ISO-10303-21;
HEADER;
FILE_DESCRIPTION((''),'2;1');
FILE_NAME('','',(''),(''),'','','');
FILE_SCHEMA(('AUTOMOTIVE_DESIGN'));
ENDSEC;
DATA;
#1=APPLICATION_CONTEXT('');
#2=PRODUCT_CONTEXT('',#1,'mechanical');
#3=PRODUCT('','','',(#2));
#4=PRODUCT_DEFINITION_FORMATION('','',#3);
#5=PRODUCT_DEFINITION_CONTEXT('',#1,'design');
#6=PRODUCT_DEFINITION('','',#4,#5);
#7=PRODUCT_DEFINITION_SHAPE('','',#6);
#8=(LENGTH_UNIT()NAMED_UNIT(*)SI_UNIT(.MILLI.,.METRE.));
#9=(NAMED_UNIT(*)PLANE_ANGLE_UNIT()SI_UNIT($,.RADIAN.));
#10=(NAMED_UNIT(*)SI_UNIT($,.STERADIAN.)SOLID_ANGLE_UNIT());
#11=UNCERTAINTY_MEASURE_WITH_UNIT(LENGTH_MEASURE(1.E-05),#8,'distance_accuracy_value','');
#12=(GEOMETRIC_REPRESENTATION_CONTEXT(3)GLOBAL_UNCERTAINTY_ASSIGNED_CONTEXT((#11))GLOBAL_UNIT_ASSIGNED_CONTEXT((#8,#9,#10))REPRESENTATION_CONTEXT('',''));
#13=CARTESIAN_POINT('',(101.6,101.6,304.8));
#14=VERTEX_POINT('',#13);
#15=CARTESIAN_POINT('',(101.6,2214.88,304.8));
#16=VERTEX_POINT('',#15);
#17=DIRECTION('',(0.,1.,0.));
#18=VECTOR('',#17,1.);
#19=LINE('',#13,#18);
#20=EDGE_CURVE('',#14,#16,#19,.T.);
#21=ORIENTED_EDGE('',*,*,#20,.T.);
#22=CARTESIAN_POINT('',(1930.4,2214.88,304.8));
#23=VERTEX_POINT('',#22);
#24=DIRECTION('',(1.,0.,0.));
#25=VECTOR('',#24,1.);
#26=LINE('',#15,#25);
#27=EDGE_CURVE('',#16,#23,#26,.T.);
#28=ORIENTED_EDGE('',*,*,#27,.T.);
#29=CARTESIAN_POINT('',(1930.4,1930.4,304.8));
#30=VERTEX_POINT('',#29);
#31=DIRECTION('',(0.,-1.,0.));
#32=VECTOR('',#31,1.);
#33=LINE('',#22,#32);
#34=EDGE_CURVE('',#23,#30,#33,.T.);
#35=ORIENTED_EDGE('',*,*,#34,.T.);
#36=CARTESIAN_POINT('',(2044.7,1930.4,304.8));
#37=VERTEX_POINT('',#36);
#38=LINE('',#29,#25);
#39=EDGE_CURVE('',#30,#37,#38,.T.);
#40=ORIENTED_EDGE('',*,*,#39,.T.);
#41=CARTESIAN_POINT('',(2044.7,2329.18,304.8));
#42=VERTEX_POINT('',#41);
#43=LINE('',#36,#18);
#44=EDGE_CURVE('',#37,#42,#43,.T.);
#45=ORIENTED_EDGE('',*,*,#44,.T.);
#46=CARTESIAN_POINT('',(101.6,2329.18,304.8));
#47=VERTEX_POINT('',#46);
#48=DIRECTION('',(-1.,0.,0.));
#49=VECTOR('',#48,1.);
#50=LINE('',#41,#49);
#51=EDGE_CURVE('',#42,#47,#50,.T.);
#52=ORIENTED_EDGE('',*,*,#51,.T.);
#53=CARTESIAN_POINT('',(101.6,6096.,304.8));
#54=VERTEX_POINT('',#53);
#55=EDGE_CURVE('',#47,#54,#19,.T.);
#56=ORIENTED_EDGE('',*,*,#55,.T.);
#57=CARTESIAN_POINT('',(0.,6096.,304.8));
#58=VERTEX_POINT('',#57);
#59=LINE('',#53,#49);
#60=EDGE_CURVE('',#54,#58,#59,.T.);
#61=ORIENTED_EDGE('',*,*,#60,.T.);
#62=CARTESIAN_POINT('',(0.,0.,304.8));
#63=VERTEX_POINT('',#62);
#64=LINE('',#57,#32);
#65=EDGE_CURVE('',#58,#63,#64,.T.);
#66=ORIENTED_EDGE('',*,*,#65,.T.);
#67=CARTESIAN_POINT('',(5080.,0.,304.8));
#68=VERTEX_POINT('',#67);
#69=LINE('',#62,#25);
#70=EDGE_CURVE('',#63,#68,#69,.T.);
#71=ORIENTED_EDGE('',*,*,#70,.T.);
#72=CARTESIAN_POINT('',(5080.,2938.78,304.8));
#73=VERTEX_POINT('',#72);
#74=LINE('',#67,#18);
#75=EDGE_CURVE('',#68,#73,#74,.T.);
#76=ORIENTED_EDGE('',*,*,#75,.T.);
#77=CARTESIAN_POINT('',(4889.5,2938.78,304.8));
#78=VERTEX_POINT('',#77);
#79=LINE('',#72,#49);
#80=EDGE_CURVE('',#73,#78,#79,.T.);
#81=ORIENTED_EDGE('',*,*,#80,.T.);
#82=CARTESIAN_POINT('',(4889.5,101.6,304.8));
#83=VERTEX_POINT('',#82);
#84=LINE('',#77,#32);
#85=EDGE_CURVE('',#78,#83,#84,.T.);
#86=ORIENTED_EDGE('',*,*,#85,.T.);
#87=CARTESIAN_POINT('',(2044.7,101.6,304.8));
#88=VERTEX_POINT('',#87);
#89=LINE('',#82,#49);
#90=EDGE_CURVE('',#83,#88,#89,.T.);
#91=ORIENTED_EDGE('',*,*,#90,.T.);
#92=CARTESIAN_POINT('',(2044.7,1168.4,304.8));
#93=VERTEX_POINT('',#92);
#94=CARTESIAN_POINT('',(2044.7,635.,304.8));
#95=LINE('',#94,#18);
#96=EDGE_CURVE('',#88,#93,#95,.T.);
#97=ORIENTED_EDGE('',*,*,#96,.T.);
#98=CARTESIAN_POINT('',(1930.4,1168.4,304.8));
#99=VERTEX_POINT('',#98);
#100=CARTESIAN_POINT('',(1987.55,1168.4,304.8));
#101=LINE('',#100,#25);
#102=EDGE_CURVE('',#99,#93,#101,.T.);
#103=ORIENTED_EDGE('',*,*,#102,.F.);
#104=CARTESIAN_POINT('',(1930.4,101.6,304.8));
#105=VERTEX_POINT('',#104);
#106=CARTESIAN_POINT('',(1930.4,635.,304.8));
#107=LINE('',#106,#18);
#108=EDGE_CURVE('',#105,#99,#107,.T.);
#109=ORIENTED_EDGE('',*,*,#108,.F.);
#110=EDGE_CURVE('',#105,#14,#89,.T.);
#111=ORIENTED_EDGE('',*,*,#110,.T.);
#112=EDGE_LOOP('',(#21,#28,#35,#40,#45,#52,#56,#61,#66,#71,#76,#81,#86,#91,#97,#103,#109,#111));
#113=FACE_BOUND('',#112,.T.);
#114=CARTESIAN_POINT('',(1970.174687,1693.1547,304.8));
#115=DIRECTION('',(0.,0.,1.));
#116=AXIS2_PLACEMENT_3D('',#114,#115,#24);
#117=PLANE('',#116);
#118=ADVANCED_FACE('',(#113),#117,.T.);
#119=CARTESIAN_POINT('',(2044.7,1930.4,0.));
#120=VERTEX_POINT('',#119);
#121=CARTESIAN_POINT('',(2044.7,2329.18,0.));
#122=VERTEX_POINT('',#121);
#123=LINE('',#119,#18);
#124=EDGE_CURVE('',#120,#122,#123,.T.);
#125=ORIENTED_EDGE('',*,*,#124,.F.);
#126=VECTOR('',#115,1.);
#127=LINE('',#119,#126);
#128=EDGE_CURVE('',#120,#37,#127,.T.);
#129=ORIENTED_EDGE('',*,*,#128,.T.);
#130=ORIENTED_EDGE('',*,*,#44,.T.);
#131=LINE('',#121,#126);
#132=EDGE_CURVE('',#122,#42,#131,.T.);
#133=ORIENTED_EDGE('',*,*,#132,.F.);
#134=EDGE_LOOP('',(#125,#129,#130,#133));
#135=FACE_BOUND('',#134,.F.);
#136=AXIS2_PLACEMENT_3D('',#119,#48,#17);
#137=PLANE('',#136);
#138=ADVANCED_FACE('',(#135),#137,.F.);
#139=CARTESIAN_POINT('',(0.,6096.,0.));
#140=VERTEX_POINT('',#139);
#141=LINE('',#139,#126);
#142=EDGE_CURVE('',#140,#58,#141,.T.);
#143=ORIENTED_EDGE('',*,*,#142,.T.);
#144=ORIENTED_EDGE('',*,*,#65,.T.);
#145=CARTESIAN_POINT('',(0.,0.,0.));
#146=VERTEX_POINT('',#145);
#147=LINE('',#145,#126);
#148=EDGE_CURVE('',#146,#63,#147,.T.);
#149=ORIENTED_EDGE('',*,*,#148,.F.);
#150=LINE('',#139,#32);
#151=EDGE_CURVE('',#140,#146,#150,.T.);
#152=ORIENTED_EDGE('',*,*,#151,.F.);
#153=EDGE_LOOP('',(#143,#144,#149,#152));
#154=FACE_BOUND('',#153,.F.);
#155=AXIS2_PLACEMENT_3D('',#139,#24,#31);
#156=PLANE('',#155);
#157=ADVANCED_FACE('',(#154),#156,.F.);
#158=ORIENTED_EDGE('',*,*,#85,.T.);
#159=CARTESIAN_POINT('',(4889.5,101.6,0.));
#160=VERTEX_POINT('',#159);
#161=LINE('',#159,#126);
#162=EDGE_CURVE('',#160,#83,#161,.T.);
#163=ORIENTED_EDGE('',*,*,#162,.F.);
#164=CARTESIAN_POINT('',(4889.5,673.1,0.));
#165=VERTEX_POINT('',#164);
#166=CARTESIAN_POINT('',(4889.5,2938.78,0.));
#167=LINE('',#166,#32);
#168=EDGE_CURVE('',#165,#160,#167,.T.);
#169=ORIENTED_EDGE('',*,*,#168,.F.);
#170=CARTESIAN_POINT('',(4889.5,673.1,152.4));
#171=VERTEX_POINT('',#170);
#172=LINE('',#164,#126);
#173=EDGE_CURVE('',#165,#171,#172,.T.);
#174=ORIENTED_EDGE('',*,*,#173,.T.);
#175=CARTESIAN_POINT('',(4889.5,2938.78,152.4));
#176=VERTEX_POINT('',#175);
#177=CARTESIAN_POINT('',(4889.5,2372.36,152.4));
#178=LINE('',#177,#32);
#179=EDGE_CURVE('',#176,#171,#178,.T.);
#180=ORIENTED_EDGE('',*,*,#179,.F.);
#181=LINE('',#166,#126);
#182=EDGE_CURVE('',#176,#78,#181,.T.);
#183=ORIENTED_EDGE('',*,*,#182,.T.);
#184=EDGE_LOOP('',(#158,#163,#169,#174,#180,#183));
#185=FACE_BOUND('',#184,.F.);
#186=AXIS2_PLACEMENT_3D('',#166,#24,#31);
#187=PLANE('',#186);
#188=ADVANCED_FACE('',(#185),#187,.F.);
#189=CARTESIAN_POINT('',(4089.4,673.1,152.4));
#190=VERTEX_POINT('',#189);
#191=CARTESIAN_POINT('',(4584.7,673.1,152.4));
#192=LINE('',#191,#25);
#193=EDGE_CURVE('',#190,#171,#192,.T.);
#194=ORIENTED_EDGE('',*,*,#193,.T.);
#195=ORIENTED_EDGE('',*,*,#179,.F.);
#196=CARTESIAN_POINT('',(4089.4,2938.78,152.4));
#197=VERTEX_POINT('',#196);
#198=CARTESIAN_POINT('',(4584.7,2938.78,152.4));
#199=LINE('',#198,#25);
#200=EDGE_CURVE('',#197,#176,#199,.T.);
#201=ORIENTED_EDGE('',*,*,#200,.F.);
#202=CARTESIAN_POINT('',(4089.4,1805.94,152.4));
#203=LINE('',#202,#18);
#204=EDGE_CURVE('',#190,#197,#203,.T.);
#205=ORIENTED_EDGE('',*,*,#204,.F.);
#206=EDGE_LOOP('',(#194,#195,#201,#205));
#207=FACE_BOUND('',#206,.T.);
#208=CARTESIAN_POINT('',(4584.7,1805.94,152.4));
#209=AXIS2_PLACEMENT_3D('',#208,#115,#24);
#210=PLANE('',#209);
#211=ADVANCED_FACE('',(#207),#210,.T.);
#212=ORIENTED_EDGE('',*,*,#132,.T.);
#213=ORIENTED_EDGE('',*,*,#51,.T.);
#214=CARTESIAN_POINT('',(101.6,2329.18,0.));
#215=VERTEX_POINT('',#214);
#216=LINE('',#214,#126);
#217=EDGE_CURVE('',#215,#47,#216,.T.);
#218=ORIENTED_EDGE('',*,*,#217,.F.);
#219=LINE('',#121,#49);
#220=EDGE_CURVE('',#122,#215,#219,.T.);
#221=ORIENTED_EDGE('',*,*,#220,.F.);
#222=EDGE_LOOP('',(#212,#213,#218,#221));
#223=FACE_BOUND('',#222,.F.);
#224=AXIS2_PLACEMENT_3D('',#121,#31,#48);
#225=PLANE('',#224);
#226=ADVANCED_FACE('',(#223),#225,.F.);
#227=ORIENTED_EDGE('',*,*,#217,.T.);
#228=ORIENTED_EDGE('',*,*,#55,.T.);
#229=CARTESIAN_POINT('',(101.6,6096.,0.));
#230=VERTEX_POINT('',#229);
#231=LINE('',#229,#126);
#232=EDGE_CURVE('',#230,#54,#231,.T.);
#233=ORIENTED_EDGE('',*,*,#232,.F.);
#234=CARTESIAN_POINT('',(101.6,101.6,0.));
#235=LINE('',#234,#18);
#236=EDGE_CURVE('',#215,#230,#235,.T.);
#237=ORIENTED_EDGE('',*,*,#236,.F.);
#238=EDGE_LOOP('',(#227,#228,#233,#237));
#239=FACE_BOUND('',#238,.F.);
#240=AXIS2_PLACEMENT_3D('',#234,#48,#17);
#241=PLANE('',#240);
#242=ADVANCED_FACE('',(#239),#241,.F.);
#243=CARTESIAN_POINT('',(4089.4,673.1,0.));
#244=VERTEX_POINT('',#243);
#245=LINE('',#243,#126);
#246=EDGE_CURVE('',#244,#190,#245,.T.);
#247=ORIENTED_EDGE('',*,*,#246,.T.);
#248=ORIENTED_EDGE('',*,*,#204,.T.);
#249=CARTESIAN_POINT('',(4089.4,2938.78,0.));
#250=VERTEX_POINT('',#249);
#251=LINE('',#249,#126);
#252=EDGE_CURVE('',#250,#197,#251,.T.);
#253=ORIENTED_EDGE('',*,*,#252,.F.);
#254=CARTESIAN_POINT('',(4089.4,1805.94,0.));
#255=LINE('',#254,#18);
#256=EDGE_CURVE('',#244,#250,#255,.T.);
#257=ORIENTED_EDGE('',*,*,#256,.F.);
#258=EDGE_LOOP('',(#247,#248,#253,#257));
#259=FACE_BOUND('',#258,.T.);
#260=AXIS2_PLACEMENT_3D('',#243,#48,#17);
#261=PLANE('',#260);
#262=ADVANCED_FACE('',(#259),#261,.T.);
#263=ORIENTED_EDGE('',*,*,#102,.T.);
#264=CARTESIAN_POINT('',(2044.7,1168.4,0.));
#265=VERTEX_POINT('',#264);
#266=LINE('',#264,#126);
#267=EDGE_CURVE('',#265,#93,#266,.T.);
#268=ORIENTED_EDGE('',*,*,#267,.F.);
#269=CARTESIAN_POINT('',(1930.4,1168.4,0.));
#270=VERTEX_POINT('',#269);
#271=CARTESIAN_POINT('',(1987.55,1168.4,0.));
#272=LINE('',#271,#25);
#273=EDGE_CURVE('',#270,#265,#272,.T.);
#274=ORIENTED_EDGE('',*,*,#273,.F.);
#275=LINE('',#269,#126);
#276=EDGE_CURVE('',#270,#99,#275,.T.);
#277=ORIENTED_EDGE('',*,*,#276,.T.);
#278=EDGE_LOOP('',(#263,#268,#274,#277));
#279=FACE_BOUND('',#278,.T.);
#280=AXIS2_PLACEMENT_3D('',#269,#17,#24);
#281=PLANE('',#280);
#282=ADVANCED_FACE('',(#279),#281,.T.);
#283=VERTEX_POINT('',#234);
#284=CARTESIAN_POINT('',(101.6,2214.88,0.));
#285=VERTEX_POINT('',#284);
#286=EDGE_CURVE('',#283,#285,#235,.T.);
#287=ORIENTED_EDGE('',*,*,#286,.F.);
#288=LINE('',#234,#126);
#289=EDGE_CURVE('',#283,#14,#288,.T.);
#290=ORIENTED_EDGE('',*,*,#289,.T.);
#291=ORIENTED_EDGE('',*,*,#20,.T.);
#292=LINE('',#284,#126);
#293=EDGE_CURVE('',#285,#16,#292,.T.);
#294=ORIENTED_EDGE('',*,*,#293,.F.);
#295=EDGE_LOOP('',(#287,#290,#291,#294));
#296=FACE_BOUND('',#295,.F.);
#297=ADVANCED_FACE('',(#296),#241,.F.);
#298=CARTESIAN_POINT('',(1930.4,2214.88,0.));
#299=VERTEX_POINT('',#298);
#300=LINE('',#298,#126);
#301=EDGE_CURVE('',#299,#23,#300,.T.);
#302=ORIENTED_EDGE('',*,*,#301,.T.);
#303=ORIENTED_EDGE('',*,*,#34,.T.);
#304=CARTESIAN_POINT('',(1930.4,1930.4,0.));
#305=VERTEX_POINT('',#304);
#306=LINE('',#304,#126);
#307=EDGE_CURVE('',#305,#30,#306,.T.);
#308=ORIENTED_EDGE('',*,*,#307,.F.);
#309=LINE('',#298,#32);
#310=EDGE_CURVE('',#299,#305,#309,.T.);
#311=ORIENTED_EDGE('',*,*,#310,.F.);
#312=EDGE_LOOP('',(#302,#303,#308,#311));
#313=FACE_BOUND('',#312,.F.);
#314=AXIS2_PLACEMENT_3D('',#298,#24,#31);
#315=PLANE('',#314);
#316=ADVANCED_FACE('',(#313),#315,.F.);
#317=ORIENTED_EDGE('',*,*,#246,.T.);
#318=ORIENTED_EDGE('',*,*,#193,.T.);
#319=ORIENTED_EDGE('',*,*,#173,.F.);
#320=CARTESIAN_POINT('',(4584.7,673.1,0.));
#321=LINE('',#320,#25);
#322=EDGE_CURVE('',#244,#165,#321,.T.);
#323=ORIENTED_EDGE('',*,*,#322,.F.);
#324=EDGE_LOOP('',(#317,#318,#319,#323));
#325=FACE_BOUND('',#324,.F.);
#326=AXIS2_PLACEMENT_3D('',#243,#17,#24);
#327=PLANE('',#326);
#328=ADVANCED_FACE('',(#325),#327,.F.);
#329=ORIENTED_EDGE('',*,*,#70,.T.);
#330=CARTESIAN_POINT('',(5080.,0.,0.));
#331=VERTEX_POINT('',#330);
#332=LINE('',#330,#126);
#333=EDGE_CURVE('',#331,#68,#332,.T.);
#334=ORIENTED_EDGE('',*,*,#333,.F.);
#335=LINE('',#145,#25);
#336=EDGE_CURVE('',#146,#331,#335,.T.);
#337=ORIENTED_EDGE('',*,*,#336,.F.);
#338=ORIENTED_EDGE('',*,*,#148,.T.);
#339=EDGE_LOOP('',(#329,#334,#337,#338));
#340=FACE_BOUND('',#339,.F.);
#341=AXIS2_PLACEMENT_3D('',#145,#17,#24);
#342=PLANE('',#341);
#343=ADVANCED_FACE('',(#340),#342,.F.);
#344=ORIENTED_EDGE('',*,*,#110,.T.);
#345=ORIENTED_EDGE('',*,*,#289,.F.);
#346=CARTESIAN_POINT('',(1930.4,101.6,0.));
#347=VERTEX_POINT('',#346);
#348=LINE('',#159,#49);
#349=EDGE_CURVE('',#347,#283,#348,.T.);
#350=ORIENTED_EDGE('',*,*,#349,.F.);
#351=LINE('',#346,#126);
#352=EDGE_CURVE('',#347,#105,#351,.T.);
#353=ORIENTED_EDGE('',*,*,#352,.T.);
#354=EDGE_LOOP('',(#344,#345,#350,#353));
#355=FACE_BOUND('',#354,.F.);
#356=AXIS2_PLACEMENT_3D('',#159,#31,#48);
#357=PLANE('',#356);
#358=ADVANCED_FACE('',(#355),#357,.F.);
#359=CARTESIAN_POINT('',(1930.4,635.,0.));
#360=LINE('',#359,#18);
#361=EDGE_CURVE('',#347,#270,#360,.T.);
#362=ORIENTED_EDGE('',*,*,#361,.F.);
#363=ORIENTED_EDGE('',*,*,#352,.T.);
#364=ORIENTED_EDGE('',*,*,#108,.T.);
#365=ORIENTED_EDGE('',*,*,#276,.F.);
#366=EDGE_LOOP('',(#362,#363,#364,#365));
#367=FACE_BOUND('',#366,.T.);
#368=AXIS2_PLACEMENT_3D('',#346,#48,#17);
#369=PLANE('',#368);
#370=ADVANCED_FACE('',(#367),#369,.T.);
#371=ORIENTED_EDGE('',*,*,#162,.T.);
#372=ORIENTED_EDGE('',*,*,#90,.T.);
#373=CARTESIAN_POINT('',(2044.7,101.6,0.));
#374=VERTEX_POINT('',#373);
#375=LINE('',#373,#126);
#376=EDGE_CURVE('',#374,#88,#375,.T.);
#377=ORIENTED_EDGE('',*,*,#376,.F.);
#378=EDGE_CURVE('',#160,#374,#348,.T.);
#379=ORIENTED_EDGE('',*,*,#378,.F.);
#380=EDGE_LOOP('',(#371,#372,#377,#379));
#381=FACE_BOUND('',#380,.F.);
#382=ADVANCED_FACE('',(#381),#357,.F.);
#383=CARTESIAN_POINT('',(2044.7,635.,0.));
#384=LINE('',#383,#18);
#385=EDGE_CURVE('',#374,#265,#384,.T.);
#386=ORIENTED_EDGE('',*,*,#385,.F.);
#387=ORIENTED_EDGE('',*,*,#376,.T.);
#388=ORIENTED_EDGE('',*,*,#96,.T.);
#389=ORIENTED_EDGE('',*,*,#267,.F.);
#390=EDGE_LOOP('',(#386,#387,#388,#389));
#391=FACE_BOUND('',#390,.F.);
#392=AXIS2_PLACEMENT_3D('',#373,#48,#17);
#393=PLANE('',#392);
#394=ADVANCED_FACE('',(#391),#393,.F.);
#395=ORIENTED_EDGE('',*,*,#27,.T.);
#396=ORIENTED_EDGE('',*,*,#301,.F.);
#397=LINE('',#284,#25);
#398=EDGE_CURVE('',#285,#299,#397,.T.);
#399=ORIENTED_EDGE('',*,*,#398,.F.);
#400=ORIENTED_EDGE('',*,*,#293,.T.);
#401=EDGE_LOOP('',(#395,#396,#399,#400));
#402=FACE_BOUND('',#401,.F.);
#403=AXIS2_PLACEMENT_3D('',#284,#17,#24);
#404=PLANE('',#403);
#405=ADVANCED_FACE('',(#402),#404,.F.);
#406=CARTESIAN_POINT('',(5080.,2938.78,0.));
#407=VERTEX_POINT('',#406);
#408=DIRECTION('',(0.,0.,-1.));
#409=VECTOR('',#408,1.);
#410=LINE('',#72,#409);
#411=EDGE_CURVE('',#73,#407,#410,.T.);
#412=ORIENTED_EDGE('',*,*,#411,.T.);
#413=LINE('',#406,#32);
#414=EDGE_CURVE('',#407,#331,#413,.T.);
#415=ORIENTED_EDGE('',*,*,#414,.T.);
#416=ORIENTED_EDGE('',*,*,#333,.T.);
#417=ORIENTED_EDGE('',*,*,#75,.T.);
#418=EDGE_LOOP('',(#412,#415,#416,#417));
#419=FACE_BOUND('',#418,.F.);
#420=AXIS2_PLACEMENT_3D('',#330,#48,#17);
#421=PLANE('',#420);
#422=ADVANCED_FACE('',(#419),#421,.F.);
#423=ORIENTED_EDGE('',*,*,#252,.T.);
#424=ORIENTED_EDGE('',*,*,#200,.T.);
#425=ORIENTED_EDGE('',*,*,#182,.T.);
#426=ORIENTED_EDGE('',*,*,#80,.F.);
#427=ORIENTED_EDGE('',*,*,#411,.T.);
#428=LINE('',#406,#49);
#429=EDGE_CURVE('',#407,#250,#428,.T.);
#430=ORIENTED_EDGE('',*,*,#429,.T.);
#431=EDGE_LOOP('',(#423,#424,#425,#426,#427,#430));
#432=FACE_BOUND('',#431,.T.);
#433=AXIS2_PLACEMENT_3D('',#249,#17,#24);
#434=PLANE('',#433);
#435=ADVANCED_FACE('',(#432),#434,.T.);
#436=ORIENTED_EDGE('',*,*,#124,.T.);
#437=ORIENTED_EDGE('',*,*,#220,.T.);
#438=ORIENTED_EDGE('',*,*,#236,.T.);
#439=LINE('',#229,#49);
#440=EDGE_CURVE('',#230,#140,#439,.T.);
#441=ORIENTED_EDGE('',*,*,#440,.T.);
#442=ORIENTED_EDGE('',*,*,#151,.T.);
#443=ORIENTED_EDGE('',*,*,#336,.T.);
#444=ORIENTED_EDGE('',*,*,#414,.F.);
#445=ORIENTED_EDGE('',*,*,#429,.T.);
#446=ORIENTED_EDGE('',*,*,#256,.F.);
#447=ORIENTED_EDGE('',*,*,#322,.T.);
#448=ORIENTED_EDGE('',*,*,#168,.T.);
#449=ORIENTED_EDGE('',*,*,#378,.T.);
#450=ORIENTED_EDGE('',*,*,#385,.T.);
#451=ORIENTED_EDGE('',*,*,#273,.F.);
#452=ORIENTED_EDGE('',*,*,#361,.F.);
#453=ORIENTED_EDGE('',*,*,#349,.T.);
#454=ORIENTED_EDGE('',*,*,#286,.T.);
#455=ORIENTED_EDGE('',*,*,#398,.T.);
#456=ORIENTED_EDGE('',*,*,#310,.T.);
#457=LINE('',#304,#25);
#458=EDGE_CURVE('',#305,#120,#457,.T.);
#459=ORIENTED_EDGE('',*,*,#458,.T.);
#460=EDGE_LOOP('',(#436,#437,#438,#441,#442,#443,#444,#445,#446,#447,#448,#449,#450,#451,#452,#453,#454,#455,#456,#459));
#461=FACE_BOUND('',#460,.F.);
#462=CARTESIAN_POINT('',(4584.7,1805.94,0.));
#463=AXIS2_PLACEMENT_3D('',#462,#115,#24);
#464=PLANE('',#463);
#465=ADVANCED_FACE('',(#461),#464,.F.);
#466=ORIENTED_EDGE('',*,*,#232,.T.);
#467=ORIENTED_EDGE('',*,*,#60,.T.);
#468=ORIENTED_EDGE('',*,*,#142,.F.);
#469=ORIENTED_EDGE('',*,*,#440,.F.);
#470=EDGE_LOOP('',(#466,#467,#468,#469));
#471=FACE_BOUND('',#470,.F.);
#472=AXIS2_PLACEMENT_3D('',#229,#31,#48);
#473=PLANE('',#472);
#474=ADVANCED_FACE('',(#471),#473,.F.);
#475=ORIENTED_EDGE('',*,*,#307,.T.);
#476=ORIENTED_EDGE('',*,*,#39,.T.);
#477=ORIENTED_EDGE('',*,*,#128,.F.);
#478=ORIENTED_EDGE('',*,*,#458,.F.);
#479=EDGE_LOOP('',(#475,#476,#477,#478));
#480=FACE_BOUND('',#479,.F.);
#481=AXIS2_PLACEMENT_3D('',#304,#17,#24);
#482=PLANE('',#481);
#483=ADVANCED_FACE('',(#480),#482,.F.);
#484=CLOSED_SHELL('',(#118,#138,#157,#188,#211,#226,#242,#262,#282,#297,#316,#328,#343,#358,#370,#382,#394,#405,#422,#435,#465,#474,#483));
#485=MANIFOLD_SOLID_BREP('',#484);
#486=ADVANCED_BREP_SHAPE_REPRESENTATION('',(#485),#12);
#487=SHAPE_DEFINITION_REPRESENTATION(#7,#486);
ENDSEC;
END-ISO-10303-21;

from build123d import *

# Parameters (mm, degrees)
F4_DEPTH = 304.8
F2_W     = 990.6
F2_H     = 2265.68
F5_DEPTH = 152.4
F6_W     = 114.3
F6_H     = 1066.8
F7_DEPTH = 304.8


with BuildPart() as f4:
    # F3 (on Top) → F4 (new body)
    with BuildSketch(Plane.XY):
        Polygon((101.6, 101.6), (101.6, 6096), (0, 6096), (0, 0), (5080, 0), (5080, 2938.78), (4889.5, 2938.78), (4889.5, 101.6), align=None)
    extrude(amount=F4_DEPTH)

    # F2 (on Top) → F5 (join)
    with BuildSketch(Plane.XY):
        with Locations((4584.7, 1805.94)):
            Rectangle(F2_W, F2_H)
    extrude(amount=F5_DEPTH)

    # F6 (on Top) → F7 (join)
    with BuildSketch(Plane.XY):
        Polygon((2044.7, 2329.18), (101.6, 2329.18), (101.6, 2214.88), (1930.4, 2214.88), (1930.4, 1930.4), (2044.7, 1930.4), align=None)
        with Locations((1987.55, 635)):
            Rectangle(F6_W, F6_H)
    extrude(amount=F7_DEPTH)


solid = f4.part
